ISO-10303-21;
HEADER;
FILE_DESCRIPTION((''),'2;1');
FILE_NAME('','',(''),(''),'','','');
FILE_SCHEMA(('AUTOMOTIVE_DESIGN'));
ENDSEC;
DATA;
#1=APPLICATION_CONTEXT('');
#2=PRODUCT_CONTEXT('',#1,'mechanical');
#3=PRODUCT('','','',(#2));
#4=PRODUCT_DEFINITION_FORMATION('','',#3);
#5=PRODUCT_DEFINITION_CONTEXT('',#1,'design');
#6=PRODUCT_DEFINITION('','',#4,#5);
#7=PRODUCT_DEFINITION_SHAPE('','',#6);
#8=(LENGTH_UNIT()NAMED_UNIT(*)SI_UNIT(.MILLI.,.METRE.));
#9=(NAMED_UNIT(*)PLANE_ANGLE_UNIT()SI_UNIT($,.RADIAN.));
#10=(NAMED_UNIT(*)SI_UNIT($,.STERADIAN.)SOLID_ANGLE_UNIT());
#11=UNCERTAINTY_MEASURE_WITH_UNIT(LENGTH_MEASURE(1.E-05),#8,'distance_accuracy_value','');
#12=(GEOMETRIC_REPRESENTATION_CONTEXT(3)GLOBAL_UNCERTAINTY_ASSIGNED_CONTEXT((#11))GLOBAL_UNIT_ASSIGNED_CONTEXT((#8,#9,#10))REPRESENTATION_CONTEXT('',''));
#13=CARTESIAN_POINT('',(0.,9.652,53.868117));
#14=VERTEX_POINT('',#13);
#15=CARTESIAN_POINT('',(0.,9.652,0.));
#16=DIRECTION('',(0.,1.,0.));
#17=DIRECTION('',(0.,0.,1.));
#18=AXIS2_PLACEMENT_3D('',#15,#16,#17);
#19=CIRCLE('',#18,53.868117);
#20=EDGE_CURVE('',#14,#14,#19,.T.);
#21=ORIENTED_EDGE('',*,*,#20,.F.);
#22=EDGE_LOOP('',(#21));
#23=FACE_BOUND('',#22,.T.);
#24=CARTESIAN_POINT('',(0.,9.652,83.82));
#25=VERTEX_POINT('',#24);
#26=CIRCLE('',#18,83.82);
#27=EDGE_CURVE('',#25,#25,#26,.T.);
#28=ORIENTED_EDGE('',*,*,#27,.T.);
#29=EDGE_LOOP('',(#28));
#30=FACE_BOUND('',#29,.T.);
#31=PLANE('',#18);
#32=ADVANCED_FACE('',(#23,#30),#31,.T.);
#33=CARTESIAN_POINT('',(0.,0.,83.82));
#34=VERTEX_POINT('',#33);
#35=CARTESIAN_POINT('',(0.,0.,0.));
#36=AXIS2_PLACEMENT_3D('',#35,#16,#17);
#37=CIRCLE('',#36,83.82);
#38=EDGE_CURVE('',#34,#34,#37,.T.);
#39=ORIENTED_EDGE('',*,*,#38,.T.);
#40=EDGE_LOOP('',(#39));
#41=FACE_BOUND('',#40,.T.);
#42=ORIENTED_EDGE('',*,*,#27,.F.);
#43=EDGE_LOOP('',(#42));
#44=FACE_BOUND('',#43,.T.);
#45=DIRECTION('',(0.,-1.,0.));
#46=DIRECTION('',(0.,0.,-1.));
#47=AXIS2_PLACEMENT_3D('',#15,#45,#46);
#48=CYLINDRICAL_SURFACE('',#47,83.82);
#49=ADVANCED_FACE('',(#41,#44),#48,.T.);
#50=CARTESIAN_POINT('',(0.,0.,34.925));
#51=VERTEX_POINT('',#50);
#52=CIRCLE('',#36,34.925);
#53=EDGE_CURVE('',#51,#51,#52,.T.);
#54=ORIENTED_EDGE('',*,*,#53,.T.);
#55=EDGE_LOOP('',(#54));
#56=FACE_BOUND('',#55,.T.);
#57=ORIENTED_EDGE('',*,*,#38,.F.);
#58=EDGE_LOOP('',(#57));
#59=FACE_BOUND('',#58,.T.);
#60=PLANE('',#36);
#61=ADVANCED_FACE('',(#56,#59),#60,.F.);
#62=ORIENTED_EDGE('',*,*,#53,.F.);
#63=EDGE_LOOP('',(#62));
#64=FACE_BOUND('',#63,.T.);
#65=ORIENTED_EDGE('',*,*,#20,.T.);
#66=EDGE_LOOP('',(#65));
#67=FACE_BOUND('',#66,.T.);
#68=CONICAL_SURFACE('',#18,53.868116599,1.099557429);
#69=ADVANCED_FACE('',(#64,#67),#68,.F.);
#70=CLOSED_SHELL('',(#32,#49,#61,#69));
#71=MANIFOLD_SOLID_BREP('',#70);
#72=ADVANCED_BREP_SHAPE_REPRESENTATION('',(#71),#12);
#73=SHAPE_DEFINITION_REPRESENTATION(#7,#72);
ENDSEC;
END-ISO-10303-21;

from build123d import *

# Parameters (mm, degrees)
SKETCH1_R           = 83.82
SKETCH1_R_2         = 34.925
BOSS_EXTRUDE1_DEPTH = 9.652


with BuildPart() as part:
    # Sketch1 → Boss-Extrude1 (new body)
    with BuildSketch(Plane(origin=(0, 0, 0), x_dir=(1, 0, 0), z_dir=(0, 1, 0))):
        Circle(SKETCH1_R)
        Circle(SKETCH1_R_2, mode=Mode.SUBTRACT)
    extrude(amount=BOSS_EXTRUDE1_DEPTH)

    # Sketch3 → Cut-Revolve1 (revolve, cut)
    with BuildSketch(Plane.XY):
        Polygon((-34.925, 0), (-53.868116599, 9.652), (-34.925, 9.652), align=None)
    revolve(axis=Axis((0, 23.278593151, 0), (0, -1, 0)), mode=Mode.SUBTRACT)


solid = part.part
